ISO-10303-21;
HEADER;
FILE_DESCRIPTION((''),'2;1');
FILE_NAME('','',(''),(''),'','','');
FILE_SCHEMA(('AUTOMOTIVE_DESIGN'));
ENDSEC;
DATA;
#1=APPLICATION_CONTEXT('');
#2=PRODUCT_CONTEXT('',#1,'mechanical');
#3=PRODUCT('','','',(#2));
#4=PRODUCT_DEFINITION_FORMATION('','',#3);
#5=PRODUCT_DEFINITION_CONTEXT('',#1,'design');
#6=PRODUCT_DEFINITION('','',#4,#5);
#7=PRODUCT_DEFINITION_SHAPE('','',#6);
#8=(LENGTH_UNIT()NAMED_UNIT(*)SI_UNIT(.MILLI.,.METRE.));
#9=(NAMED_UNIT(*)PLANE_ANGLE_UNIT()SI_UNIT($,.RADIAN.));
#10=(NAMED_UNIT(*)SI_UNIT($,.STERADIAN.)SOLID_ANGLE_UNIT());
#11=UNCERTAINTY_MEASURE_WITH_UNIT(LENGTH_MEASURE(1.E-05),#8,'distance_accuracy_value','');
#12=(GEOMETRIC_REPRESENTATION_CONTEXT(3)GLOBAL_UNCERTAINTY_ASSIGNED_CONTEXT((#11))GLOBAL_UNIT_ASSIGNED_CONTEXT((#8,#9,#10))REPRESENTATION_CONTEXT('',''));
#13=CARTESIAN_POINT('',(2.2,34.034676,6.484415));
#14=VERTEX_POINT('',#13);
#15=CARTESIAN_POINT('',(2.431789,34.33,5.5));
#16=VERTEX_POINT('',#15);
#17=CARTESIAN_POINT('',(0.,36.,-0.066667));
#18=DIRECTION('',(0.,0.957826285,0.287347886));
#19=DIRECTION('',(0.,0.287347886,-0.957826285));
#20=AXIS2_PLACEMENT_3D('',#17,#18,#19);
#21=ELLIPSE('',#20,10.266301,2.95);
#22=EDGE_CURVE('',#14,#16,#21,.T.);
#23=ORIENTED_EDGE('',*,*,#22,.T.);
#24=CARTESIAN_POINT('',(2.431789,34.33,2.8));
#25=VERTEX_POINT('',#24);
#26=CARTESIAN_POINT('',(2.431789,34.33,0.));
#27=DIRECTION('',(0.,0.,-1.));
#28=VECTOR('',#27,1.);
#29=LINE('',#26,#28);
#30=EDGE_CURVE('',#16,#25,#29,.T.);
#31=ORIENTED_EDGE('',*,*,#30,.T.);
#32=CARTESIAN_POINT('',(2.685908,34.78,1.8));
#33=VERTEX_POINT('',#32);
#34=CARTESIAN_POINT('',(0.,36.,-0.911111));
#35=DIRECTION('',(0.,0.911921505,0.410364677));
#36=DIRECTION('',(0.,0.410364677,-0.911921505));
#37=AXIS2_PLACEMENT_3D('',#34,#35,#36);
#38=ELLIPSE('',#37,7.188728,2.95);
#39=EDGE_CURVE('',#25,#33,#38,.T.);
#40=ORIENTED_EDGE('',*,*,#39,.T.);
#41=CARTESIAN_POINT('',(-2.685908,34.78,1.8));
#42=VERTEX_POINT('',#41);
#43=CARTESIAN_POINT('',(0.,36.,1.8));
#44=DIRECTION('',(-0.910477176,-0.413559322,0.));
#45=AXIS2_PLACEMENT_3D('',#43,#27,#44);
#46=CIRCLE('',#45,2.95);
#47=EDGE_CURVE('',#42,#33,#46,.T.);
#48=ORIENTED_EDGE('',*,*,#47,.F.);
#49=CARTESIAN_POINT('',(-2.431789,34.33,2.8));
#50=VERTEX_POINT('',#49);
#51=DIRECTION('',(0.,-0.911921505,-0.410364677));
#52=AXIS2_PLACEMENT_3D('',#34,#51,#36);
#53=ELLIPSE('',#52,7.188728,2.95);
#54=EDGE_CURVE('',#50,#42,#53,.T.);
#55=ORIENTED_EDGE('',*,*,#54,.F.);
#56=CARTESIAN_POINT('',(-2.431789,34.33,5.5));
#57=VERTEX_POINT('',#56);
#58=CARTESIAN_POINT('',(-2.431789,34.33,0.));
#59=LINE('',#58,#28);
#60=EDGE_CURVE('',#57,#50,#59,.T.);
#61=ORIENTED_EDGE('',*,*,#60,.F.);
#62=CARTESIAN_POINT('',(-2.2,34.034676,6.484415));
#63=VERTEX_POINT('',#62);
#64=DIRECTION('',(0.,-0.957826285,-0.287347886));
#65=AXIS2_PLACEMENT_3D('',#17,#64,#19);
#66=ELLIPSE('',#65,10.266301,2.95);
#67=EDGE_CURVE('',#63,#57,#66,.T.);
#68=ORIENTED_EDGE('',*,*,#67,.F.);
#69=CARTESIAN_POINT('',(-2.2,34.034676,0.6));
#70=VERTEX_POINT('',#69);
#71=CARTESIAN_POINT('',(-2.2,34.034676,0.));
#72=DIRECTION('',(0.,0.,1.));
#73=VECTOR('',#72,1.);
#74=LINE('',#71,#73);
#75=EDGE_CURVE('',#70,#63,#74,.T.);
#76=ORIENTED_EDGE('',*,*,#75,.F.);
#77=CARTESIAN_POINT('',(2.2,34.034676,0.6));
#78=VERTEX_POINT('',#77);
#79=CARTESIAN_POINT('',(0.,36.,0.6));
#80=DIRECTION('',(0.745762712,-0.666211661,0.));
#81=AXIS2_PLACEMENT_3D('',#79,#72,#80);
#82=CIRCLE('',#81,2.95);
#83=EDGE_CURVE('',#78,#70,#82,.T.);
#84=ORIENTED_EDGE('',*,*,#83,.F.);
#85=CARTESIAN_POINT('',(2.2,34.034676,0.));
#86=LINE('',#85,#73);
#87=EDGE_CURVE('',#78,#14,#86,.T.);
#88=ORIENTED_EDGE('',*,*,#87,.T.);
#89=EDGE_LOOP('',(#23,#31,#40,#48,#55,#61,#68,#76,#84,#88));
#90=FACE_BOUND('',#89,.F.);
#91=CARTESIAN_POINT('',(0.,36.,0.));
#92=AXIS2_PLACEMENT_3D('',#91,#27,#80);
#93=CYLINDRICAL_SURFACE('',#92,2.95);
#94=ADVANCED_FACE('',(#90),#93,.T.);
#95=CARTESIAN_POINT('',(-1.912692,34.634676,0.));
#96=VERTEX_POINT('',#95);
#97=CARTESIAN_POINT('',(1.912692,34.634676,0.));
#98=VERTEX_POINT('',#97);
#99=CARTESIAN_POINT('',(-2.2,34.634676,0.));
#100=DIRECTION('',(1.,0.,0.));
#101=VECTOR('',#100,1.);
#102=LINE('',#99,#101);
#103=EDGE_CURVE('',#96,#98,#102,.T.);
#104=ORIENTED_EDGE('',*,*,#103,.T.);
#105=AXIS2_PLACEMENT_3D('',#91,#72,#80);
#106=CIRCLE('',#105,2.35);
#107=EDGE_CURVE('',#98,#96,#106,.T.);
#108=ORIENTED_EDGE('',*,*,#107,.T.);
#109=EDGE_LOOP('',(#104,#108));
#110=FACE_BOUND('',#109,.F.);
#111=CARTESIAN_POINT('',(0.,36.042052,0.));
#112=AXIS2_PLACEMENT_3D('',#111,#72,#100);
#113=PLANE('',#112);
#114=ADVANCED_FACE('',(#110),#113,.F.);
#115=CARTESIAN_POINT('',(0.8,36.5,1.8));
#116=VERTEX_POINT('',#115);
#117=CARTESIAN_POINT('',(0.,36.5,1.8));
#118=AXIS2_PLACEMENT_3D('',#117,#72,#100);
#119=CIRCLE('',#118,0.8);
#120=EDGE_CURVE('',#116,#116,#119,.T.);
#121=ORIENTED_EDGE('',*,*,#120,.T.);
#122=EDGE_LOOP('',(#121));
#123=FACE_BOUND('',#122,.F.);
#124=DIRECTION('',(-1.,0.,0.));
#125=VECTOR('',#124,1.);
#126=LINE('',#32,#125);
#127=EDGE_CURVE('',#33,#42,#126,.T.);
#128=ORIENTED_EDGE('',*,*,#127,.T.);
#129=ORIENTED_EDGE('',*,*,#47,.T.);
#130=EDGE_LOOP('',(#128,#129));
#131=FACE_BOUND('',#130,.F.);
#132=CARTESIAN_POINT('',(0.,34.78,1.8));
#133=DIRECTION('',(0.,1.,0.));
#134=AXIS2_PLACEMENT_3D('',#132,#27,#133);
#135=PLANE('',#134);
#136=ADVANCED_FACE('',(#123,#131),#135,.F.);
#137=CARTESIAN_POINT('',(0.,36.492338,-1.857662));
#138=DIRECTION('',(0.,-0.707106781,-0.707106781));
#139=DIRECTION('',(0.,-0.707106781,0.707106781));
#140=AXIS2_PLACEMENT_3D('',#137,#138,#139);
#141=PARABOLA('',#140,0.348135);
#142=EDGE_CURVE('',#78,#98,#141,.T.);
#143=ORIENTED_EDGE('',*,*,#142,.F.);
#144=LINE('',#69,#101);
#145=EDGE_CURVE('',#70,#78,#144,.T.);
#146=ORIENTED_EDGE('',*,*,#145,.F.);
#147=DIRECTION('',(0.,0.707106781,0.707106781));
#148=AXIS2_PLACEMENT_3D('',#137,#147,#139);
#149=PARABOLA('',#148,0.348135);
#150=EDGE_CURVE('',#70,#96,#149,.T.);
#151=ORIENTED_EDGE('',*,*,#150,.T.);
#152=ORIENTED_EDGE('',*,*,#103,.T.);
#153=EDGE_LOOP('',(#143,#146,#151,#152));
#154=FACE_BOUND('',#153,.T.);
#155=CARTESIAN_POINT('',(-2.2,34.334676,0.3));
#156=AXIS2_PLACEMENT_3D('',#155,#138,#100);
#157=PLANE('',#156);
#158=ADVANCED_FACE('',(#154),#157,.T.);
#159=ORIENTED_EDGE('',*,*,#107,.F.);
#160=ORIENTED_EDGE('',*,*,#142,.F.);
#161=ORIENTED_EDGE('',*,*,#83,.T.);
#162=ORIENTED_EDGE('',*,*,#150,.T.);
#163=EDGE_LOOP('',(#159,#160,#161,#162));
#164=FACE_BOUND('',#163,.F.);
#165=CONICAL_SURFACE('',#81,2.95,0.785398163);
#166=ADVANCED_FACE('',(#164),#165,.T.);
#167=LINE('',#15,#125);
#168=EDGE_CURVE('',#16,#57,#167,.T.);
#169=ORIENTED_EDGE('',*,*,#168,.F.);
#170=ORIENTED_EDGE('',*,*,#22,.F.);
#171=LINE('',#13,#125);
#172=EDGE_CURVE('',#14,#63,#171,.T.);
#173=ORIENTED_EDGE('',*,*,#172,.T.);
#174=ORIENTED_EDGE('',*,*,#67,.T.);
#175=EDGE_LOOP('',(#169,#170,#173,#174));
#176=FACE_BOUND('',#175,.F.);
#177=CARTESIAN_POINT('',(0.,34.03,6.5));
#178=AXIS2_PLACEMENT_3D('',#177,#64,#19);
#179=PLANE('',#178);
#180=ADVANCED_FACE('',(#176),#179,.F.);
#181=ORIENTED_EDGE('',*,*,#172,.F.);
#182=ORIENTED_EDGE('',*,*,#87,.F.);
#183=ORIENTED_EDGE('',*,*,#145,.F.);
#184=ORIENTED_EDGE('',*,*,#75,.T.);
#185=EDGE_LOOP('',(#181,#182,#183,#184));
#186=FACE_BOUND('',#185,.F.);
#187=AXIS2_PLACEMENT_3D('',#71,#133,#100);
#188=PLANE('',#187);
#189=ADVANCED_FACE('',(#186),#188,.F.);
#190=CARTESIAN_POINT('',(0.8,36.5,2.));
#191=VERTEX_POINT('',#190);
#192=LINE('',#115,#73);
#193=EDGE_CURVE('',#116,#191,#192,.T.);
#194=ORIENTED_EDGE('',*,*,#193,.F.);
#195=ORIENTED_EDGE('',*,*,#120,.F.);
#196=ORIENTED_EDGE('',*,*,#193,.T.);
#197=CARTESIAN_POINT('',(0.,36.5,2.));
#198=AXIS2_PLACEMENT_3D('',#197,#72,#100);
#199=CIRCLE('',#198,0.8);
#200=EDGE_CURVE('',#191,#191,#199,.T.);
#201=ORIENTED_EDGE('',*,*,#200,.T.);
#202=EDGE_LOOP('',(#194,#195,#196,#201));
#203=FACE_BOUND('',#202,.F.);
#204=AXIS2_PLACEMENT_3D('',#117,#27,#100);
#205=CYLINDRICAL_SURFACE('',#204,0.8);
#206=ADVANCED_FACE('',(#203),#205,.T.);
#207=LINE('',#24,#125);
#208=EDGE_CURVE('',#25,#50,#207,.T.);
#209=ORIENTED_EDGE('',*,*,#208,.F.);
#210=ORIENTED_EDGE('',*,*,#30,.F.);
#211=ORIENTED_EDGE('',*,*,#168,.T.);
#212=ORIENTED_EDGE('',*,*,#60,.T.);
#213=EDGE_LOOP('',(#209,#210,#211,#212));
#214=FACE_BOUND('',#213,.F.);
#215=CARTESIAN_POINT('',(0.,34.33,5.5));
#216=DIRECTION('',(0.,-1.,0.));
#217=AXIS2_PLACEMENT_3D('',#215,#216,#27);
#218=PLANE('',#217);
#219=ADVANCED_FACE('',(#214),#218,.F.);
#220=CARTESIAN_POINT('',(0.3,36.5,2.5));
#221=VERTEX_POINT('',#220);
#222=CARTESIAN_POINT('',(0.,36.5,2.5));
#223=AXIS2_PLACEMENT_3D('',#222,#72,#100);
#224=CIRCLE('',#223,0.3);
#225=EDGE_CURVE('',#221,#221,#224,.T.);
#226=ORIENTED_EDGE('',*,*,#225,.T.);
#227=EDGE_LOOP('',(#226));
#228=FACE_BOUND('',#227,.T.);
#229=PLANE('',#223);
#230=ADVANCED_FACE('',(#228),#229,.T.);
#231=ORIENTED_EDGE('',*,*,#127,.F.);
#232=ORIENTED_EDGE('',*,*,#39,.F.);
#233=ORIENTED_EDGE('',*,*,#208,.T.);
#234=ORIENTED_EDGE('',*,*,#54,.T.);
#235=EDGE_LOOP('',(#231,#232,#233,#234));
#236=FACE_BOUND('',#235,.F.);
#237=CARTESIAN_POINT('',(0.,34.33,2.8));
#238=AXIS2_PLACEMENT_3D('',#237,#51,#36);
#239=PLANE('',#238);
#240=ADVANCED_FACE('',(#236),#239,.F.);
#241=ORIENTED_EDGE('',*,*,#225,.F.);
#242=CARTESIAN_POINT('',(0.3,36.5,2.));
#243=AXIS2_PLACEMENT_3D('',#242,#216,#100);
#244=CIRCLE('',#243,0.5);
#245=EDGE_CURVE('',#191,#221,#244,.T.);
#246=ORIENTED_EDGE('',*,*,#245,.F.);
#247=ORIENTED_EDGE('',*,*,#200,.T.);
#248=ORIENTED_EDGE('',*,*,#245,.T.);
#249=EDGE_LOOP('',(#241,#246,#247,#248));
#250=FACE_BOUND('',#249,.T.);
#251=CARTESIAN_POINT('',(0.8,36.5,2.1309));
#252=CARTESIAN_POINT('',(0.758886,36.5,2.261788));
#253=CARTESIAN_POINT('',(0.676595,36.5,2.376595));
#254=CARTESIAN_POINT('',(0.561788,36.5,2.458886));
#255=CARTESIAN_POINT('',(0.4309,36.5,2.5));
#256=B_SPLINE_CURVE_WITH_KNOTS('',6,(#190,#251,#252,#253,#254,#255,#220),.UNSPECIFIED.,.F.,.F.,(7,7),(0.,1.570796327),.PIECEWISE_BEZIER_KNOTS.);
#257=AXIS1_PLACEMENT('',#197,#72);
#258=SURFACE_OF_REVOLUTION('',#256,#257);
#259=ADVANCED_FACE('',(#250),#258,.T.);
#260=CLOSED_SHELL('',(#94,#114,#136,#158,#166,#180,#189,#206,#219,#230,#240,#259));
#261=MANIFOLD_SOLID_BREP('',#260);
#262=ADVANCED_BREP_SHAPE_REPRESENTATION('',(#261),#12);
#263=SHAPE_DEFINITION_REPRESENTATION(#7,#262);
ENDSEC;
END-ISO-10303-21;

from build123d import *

# Parameters (mm, degrees)
PAD003_DEPTH         = 6.5
POCKET004_DEPTH      = 2.951
POCKET004_DEPTH_BACK = 2.951
SKETCH013_R          = 0.8
PAD006_DEPTH         = 0.7
FILLET_R             = 0.5
CHAMFER004_SIZE      = 0.6


with BuildPart() as part:
    # Sketch004 → Pad003 (new body)
    with BuildSketch(Plane.XY):
        with BuildLine():
            ThreePointArc((2.2, -1.9653244007), (0, 2.95), (-2.2, -1.9653244007))
            Line((-2.2, -1.9653244007), (2.2, -1.9653244007))
        make_face()
    extrude(amount=PAD003_DEPTH)

    # Sketch014 → Pocket004 (cut, two sides)
    with BuildSketch(Plane.YZ) as pocket004_sk:
        Polygon((-1.97, 6.5), (-1.67, 5.5), (-1.67, 2.8), (-1.22, 1.8), (4, 1.8), (4, 6.5), align=None)
    extrude(amount=-POCKET004_DEPTH, mode=Mode.SUBTRACT)
    extrude(pocket004_sk.sketch, amount=POCKET004_DEPTH_BACK, mode=Mode.SUBTRACT)

    # Sketch013 (on Face7 of Pocket004) → Pad006 (join)
    with BuildSketch(Plane.XY.offset(1.8)):
        with Locations((0, 0.5)):
            Circle(SKETCH013_R)
    extrude(amount=PAD006_DEPTH)

    # Fillet
    fillet_edges = [part.edges().sort_by_distance(p)[0] for p in [
        (-0.8, 0.5, 2.5),
    ]]
    fillet(fillet_edges, radius=FILLET_R)

    # Chamfer004
    chamfer004_edges = [part.edges().sort_by_distance(p)[0] for p in [
        (0, 2.95, 0),
        (0, -1.965324, 0),
    ]]
    chamfer(chamfer004_edges, length=CHAMFER004_SIZE)


with BuildPart() as part_1:
    # Body025 placement: moved
    add(part.part.moved(Location((0, 36, 0))))


solid = part_1.part
